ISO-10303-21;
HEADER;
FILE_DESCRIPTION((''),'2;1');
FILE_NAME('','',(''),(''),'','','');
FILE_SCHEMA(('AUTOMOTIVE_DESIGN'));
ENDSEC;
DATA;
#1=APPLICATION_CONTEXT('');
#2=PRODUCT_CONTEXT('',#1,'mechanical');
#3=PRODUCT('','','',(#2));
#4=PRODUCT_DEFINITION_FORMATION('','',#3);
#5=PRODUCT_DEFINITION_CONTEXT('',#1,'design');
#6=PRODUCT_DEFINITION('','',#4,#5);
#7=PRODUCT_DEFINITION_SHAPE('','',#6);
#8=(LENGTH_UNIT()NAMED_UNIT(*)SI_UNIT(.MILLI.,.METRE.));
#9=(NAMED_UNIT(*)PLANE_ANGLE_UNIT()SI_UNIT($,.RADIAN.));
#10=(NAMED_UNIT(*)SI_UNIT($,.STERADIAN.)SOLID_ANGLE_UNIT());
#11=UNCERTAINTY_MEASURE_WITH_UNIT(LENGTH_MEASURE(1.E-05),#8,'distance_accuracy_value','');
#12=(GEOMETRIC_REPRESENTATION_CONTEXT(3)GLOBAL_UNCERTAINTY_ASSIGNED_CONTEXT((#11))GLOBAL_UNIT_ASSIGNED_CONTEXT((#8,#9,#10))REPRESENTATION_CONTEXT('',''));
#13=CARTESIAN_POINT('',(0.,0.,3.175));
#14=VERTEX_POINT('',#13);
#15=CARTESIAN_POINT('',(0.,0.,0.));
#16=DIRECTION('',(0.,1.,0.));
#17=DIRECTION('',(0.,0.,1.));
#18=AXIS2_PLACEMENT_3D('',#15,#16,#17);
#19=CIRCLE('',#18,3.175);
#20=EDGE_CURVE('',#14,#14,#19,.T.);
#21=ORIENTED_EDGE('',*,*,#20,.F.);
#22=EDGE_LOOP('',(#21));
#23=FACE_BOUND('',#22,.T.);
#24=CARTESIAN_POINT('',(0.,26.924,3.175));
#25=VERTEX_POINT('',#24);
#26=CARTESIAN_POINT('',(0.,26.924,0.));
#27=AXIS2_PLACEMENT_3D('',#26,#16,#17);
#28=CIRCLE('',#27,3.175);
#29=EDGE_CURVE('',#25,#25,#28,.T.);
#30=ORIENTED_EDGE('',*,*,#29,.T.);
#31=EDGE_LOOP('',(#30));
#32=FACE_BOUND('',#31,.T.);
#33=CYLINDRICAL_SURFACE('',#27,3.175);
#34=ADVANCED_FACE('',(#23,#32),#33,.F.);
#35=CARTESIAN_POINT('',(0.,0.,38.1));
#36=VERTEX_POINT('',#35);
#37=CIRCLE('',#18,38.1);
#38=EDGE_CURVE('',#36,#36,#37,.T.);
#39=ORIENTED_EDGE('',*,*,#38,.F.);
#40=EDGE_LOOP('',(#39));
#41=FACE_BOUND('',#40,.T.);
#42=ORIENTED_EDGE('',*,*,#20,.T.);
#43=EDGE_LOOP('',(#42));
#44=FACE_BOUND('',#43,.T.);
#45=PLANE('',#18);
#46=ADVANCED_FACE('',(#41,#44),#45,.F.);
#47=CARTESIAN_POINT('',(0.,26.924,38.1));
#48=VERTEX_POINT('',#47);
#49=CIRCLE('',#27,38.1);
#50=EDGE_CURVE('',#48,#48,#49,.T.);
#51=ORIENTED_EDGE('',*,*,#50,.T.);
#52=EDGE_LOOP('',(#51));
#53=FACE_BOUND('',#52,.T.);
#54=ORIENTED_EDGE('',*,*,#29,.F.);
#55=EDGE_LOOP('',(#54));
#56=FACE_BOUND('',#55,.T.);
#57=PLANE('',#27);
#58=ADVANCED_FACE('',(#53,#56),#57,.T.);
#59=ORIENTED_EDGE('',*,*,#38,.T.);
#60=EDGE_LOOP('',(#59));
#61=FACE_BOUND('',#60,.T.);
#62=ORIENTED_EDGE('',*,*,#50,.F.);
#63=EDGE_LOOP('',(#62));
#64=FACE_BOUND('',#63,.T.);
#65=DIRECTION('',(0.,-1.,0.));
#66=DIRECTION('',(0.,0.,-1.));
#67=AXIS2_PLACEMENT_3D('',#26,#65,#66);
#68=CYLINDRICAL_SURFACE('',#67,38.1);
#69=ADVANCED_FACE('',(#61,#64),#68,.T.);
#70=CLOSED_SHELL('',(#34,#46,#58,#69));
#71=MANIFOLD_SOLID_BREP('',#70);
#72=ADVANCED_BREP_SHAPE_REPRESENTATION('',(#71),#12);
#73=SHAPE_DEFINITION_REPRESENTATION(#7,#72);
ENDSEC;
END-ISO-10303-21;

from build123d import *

# Parameters (mm, degrees)
SKETCH3_R                  = 38.1
BOSS_EXTRUDE1_DEPTH        = 26.924
F_1_4_0_2500_DOWEL_HOLE2_D = 6.35


with BuildPart() as part:
    # Sketch3 → Boss-Extrude1 (new body)
    with BuildSketch(Plane(origin=(0, 0, 0), x_dir=(1, 0, 0), z_dir=(0, 1, 0))):
        with Locations(Location((0, 0, 0), (0, 0, 270))):
            Circle(SKETCH3_R)
    extrude(amount=BOSS_EXTRUDE1_DEPTH)

    # 1/4 (0.2500) Dowel Hole2 (through all)
    with Locations(Plane(origin=(0, 26.924, 0), x_dir=(1, 0, 0), z_dir=(0, 1, 0))):
        with Locations((0, 0)):
            Hole(F_1_4_0_2500_DOWEL_HOLE2_D / 2)


solid = part.part
